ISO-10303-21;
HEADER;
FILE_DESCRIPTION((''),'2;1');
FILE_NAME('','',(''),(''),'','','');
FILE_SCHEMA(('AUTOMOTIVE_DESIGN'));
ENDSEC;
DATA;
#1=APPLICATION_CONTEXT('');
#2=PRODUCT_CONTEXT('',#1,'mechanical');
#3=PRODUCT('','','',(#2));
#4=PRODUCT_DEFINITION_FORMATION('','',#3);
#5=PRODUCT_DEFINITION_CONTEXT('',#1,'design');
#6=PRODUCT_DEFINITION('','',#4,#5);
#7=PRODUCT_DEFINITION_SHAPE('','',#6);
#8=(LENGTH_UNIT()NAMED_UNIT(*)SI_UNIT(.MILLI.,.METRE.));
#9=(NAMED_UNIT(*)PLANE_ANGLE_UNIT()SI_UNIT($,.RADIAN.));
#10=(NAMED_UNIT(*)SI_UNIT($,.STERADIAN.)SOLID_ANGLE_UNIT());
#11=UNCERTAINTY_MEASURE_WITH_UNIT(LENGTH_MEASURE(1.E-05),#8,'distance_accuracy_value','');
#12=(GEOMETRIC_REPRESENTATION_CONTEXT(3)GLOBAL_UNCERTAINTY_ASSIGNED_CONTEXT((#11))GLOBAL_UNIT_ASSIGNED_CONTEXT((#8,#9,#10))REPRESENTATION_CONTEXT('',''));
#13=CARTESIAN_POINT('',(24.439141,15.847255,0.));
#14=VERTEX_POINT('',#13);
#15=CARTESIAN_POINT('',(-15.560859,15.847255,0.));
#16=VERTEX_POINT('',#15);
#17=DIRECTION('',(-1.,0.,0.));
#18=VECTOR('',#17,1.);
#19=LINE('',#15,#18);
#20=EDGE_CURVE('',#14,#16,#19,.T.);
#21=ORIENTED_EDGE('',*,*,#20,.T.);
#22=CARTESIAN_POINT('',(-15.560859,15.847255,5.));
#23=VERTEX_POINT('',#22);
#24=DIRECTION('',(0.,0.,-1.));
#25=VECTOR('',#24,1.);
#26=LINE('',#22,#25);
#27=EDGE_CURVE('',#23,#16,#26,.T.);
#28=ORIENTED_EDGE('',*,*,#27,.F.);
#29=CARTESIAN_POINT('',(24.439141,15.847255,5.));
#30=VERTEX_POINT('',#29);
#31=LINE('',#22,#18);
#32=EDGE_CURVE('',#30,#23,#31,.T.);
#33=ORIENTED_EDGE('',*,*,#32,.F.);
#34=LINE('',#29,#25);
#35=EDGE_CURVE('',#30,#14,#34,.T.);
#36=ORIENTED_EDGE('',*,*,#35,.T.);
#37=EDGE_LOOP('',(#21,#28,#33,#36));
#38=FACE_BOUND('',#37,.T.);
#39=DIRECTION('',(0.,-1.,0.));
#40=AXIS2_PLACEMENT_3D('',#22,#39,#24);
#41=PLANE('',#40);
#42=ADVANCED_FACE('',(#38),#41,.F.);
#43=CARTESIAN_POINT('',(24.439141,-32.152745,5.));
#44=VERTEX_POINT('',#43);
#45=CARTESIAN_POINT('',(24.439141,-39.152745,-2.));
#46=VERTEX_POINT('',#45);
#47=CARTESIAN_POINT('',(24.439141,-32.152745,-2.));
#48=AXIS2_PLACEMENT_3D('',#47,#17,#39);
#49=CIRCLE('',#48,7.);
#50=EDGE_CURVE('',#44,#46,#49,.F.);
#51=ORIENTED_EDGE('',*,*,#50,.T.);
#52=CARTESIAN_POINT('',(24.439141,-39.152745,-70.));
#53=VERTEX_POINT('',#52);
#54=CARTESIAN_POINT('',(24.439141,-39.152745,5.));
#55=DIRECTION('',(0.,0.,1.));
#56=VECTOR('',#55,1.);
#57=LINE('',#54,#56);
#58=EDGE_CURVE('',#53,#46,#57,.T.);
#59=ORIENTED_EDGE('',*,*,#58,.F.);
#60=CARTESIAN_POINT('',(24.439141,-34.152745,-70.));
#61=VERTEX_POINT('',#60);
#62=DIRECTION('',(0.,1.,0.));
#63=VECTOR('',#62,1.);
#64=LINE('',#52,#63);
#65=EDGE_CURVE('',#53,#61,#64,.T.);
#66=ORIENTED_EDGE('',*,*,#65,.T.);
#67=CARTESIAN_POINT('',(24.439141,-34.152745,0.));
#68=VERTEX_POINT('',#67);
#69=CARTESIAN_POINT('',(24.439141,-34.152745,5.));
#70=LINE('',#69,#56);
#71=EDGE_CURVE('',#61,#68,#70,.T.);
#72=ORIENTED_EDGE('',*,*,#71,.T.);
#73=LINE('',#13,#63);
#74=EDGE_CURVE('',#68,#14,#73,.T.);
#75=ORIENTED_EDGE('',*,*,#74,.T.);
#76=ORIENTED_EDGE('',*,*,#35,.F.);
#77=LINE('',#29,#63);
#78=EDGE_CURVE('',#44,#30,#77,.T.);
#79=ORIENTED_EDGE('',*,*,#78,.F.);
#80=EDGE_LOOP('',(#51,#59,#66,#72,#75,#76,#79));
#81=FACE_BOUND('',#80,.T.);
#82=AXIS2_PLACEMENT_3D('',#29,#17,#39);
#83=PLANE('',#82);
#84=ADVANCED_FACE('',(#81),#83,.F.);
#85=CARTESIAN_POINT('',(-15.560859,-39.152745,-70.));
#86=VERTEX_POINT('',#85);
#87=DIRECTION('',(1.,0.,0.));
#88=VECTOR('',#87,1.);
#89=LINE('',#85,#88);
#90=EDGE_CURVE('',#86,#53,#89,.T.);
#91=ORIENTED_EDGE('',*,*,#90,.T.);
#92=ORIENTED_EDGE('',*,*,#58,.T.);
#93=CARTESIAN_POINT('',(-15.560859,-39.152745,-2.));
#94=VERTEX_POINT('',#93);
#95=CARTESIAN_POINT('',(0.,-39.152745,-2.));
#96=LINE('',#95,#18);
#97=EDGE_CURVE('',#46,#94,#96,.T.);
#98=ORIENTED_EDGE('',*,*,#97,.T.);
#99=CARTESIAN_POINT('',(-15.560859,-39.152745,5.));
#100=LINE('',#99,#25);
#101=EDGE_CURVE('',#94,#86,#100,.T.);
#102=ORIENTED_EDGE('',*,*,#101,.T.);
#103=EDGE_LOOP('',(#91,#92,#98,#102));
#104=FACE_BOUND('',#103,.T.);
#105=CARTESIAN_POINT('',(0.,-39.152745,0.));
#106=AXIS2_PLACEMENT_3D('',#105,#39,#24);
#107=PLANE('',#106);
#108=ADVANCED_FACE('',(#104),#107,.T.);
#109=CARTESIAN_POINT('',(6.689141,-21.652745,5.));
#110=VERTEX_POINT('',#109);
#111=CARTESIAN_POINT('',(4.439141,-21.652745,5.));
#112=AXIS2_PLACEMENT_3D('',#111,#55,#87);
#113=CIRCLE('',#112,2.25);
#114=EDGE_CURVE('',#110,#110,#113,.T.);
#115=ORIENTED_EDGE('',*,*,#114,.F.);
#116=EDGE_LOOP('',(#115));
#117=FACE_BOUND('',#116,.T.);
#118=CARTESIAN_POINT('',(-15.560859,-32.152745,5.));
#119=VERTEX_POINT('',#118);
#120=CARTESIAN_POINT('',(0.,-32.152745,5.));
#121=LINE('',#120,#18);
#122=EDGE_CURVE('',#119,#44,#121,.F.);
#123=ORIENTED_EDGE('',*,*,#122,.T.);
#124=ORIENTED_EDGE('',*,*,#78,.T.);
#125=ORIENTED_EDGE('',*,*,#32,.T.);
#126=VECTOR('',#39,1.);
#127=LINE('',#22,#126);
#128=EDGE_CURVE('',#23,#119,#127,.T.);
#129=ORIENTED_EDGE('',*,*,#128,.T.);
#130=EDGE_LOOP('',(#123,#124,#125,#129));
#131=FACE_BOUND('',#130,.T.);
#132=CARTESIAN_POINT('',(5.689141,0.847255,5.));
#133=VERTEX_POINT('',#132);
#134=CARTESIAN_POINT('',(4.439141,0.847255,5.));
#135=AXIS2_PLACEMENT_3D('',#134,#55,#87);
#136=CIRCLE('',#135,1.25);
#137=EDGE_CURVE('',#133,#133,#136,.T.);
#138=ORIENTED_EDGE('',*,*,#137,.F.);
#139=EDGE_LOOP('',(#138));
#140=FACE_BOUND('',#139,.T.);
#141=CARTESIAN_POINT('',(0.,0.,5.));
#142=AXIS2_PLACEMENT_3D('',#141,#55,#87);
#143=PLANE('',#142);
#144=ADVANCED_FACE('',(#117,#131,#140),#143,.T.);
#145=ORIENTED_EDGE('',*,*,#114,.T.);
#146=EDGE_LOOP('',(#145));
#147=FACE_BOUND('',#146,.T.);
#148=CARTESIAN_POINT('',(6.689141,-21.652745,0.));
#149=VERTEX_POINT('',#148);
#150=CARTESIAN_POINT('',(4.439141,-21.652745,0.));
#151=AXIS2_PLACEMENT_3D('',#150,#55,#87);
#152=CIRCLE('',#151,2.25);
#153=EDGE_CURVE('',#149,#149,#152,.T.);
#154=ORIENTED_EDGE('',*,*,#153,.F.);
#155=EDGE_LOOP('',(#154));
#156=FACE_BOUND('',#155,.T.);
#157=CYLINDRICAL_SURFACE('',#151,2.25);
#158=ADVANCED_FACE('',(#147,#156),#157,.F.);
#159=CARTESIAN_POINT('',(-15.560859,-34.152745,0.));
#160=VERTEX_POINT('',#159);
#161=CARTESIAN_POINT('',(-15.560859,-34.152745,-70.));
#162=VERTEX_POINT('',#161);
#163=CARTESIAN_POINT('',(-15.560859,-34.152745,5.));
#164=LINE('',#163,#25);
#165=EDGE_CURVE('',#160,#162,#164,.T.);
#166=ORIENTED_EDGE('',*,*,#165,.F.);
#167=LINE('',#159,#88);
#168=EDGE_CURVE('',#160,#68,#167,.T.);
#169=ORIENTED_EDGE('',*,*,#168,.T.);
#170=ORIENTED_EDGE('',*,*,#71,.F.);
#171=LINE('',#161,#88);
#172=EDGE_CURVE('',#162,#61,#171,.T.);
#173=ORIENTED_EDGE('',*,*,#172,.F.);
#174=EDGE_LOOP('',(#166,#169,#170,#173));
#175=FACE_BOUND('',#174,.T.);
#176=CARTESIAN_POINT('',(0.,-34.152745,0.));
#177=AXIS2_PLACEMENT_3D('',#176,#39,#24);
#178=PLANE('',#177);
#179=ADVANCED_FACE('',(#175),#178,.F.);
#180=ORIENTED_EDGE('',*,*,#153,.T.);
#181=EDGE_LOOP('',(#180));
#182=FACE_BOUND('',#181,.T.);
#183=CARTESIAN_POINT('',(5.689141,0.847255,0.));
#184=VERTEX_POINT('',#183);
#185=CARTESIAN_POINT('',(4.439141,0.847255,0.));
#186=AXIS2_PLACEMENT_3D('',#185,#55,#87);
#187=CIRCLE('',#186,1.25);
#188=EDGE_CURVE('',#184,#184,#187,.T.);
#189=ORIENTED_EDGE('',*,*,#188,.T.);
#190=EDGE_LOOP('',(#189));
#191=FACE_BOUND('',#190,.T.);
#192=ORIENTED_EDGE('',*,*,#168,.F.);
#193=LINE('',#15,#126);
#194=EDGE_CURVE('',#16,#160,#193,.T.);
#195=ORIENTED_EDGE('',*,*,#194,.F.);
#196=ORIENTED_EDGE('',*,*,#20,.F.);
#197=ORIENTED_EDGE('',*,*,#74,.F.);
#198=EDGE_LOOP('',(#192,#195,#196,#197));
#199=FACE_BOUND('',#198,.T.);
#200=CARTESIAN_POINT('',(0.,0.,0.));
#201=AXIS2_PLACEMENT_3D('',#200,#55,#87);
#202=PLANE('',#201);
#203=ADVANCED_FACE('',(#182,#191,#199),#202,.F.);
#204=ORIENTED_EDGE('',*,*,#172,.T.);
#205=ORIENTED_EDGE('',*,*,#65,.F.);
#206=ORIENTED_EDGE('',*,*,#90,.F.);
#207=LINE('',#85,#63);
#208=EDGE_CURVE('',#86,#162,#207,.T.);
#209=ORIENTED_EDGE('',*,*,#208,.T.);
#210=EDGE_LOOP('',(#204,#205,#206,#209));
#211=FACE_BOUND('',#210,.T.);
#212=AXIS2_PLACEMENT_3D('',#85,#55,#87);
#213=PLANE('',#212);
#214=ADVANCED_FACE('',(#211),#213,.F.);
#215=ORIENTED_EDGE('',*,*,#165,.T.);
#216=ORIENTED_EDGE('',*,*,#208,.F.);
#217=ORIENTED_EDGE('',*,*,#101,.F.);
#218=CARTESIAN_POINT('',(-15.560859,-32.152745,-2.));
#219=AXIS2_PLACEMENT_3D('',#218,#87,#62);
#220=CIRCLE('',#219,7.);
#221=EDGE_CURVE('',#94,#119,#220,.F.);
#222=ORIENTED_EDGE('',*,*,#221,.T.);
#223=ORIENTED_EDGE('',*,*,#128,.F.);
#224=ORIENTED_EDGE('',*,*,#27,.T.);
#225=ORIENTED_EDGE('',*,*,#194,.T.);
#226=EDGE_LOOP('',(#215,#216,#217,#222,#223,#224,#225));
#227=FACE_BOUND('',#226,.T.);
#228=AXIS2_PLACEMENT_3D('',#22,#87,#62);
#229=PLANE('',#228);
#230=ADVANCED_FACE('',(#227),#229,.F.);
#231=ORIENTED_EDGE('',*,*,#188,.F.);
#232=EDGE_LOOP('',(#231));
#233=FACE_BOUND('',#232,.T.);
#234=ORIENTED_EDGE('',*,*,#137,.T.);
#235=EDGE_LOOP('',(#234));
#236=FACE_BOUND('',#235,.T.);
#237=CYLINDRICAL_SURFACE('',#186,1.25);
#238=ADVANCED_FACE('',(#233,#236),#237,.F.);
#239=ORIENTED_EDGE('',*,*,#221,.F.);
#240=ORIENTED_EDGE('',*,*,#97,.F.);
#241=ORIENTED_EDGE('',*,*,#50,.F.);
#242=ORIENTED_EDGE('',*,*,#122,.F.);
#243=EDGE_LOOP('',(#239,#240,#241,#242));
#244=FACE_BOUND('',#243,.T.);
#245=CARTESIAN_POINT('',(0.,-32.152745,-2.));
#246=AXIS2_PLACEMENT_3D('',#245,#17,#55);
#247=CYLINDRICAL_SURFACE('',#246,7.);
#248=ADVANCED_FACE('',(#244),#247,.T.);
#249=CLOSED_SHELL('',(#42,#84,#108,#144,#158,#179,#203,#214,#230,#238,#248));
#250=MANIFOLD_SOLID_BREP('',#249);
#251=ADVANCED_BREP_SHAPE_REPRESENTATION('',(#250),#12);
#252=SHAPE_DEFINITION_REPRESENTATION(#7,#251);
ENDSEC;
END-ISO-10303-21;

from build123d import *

# Parameters (mm, degrees)
CROQUIS1_W              = 40
CROQUIS1_H              = 50
SALIENTE_EXTRUIR1_DEPTH = 5
CROQUIS2_R              = 1.25
CROQUIS2_R_2            = 2.25
CORTAR_EXTRUIR2_DEPTH   = 5
CROQUIS4_W              = 40
CROQUIS4_H              = 75
SALIENTE_EXTRUIR2_DEPTH = 5
REDONDEO1_R             = 7


with BuildPart() as part:
    # Croquis1 → Saliente-Extruir1 (new body)
    with BuildSketch(Plane.XY):
        with Locations((4.439140811, -9.15274463)):
            Rectangle(CROQUIS1_W, CROQUIS1_H)
    extrude(amount=SALIENTE_EXTRUIR1_DEPTH)

    # Croquis2 → Cortar-Extruir2 (cut)
    with BuildSketch(Plane.XY.offset(5)):
        with Locations((4.439140811, 0.84725537)):
            Circle(CROQUIS2_R)
        with Locations((4.439140811, -21.65274463)):
            Circle(CROQUIS2_R_2)
    extrude(amount=-CORTAR_EXTRUIR2_DEPTH, mode=Mode.SUBTRACT)

    # Croquis4 → Saliente-Extruir2 (add)
    with BuildSketch(Plane.XZ.offset(34.15274463)):
        with Locations((4.439140811, -32.5)):
            Rectangle(CROQUIS4_W, CROQUIS4_H)
    extrude(amount=SALIENTE_EXTRUIR2_DEPTH)

    # Redondeo1
    redondeo1_edges = [part.edges().sort_by_distance(p)[0] for p in [
        (4.439140811, -39.15274463, 5),
    ]]
    fillet(redondeo1_edges, radius=REDONDEO1_R)


solid = part.part
